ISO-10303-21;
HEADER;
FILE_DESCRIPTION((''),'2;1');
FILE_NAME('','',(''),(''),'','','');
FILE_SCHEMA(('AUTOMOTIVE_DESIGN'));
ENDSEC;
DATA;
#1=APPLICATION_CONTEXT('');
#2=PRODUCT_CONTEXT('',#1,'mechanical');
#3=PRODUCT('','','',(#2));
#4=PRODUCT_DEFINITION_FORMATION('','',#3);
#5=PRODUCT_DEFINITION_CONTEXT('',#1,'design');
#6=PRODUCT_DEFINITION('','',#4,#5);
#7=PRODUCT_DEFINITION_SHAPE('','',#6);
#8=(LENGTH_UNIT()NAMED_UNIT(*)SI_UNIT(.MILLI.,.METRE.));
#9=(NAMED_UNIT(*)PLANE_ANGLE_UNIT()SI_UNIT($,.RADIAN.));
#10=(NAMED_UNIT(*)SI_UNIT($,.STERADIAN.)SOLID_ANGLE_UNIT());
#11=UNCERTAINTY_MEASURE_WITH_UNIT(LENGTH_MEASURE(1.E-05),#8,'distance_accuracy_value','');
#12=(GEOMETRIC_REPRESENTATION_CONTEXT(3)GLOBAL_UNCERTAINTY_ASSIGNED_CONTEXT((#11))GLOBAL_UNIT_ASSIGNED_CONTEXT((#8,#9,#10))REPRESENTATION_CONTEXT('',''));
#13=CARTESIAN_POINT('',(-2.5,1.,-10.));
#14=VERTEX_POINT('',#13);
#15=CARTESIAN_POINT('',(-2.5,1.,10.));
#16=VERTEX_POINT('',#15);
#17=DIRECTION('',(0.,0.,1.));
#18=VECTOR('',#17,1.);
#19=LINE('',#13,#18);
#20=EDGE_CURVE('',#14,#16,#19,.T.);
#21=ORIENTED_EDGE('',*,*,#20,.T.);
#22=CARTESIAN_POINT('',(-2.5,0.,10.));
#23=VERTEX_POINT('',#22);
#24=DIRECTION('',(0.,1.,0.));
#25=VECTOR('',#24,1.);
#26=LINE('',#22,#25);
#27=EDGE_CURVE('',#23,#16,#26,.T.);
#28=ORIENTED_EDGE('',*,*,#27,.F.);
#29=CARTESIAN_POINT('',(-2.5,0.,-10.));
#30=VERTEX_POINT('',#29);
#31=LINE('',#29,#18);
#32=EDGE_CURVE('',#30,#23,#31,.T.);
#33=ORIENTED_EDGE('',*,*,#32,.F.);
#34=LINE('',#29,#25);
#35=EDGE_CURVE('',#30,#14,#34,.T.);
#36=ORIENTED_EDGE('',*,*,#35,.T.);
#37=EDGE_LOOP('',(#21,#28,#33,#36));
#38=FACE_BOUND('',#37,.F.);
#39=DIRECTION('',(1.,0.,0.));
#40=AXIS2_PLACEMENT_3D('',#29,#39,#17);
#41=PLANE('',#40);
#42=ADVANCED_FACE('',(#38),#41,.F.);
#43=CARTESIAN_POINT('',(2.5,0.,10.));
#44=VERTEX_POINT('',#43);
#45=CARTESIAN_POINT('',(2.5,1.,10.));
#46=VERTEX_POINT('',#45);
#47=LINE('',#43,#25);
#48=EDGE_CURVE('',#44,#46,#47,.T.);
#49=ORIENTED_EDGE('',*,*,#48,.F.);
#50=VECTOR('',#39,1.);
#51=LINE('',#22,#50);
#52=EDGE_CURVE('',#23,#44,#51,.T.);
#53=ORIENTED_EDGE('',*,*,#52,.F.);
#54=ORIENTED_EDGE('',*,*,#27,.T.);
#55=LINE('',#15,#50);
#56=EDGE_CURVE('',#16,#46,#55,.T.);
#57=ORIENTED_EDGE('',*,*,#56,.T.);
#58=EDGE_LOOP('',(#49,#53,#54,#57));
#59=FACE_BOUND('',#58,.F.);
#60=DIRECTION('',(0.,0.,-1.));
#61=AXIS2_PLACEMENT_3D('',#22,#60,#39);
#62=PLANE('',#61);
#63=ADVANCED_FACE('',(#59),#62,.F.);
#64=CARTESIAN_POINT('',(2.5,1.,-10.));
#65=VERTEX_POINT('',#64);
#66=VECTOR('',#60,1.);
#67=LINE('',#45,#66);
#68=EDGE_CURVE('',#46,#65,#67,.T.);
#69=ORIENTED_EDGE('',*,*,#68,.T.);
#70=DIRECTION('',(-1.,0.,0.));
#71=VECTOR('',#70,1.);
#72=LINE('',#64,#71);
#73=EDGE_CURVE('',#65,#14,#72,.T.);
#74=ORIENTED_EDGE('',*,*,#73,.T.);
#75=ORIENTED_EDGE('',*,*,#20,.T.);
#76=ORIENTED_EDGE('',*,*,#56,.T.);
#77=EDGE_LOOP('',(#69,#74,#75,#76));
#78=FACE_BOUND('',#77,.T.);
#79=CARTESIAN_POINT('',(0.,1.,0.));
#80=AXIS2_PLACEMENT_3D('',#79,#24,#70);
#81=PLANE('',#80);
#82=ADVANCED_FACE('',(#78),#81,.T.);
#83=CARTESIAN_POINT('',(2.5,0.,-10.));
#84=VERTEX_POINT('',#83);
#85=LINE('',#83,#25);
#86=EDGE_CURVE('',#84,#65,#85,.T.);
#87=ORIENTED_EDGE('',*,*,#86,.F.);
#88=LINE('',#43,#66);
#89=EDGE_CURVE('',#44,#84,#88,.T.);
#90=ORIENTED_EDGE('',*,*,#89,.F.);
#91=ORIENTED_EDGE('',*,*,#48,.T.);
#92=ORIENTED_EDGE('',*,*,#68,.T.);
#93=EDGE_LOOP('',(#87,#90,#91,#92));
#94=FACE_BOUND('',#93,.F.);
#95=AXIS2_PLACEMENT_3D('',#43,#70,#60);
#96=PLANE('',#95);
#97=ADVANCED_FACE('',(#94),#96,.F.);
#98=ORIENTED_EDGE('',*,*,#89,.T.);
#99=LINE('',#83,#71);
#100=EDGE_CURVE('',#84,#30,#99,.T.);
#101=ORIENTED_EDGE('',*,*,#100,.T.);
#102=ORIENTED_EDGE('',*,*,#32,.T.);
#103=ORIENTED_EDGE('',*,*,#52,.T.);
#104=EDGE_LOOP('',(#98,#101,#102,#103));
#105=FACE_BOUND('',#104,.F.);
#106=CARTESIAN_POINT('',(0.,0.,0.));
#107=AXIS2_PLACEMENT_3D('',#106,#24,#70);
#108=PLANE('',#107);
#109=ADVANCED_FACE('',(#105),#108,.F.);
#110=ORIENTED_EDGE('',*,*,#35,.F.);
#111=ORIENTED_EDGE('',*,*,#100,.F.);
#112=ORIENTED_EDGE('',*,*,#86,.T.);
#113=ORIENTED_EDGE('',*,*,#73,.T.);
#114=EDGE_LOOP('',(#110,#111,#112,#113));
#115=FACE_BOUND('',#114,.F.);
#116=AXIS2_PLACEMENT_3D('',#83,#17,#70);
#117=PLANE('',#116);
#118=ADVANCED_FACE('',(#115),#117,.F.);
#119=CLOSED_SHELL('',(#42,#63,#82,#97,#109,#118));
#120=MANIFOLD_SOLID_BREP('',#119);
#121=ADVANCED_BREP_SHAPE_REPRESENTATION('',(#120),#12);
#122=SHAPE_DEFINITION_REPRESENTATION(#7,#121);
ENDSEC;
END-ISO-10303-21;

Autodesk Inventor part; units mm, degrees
ref_plane "YZ Plane" through (0, 0, 0) normal (1, 0, 0) x (0, 1, 0)
ref_plane "XZ Plane" through (0, 0, 0) normal (0, 1, 0) x (-1, 0, 0)
ref_plane "XY Plane" through (0, 0, 0) normal (0, 0, 1) x (1, 0, 0)
sketch "Sketch1" plane through (0, 0, 0) normal (0, 1, 0) x (-1, 0, 0)
  line L0 (-2.5, 10) -> (-2.5, -10)
  line L1 (-2.5, -10) -> (2.5, -10)
  line L2 (2.5, -10) -> (2.5, 10)
  line L3 (2.5, 10) -> (-2.5, 10)
  line L4 (-2.5, 10) -> (2.5, -10) construction
  line L5 (-2.5, -10) -> (2.5, 10) construction
  point P0 (0, 0)
  dimension "d0" = 20
  dimension "d1" = 5
extrude "Extrusion1" add sketch "Sketch1" along normal blind 1
ref_plane "Work Plane1" through (-2.5, 0, 0) normal (0, 0, 1) x (1, 0, 0)
properties part number "Metal  Sheet"
